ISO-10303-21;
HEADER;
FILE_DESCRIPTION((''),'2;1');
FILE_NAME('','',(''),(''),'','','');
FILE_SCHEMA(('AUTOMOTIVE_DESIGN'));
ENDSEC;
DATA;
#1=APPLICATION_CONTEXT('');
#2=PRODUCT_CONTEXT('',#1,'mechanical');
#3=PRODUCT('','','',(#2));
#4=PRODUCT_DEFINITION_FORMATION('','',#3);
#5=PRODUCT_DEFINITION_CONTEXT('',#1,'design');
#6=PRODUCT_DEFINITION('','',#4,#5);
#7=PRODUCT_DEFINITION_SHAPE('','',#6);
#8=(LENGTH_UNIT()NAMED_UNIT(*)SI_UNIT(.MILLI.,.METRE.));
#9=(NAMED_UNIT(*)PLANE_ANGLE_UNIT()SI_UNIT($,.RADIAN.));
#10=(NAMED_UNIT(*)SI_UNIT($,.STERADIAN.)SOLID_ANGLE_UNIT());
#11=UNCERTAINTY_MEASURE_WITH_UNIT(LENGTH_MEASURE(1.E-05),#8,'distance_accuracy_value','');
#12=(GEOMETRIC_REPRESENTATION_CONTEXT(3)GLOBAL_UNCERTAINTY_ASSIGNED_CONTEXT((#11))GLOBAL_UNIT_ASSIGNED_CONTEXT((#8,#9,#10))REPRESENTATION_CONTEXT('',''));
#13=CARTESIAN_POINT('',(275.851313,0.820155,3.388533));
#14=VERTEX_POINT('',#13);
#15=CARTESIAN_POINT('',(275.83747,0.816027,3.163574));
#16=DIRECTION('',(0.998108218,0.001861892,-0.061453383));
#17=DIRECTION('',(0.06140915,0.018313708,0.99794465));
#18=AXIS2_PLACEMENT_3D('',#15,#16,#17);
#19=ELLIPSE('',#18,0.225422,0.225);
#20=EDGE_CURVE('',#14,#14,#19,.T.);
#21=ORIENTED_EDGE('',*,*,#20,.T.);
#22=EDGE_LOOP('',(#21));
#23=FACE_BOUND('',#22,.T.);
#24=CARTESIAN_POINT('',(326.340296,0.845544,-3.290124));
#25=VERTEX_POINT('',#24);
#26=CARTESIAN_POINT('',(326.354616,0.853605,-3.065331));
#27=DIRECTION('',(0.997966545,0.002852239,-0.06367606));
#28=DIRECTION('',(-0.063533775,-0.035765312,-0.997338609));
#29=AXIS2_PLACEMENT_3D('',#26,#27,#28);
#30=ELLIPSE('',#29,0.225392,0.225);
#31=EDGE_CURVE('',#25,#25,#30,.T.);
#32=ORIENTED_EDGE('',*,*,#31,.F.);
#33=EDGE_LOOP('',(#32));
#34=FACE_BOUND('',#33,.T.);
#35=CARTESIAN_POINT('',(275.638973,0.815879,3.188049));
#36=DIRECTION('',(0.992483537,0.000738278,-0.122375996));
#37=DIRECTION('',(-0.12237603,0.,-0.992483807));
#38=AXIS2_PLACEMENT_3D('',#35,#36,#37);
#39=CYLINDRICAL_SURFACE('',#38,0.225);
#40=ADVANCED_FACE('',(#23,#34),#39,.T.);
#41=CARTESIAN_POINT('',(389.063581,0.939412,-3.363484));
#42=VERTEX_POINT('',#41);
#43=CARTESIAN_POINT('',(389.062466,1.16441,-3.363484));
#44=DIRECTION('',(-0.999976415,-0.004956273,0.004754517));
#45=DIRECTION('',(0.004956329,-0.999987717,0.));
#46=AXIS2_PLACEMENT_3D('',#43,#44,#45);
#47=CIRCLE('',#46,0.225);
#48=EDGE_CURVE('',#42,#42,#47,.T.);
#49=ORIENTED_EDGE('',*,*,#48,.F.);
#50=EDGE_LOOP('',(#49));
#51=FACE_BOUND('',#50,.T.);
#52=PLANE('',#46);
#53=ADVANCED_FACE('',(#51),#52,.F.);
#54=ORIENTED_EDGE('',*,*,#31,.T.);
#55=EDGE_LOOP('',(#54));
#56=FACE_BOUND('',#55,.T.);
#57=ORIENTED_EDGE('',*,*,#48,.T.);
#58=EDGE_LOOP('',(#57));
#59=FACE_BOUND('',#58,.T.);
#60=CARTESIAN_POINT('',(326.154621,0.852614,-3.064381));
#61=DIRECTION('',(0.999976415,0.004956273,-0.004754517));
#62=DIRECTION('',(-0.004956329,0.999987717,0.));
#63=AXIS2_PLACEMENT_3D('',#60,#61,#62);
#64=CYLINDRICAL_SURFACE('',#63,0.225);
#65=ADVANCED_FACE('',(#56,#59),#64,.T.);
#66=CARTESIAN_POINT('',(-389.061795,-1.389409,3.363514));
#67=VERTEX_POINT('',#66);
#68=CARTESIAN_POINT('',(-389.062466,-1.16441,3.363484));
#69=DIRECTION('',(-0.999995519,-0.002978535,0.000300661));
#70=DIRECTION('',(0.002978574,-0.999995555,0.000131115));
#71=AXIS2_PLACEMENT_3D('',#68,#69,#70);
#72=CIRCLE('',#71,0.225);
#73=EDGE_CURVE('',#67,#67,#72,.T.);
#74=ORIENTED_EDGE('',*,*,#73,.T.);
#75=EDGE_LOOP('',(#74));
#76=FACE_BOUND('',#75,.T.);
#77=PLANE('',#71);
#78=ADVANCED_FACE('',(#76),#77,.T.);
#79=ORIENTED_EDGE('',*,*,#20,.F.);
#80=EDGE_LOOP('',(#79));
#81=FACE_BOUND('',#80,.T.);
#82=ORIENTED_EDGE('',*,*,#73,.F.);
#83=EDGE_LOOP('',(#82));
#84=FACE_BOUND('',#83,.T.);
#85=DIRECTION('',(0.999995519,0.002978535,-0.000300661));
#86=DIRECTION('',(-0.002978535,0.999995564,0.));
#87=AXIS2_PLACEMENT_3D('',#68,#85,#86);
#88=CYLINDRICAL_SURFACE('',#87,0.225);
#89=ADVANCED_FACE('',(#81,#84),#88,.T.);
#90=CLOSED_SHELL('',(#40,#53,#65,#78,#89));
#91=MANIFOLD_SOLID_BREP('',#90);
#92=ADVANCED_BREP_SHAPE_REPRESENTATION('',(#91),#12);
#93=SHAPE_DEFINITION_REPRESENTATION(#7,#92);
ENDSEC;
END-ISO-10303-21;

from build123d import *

# Parameters (mm, degrees)
SWEEP2_PROFILE_R = 0.225


with BuildPart() as part:
    # Sweep2: sweep along a curve in space
    with BuildLine() as sweep2_path:
        Line((-389.062465524, -1.164409573, 3.363484066), (275.83746977, 0.816026872, 3.163574011))
        Line((326.354616488, 0.853605036, -3.065331484), (275.83746977, 0.816026872, 3.163574011))
        Line((326.354616488, 0.853605036, -3.065331484), (389.062465524, 1.164409573, -3.363484066))
    # Sweep2 profile (on start of the path) → Sweep2 (sweep)
    with BuildSketch(Plane(origin=(-389.062465524, -1.164409573, 3.363484066), x_dir=(-0.002978534896180895, 0.9999955641550978, 0), z_dir=(0.9999955189569237, 0.0029785347615559586, -0.0003006605179920666))):
        Circle(SWEEP2_PROFILE_R)
    sweep(path=sweep2_path.line, transition=Transition.RIGHT)


solid = part.part
